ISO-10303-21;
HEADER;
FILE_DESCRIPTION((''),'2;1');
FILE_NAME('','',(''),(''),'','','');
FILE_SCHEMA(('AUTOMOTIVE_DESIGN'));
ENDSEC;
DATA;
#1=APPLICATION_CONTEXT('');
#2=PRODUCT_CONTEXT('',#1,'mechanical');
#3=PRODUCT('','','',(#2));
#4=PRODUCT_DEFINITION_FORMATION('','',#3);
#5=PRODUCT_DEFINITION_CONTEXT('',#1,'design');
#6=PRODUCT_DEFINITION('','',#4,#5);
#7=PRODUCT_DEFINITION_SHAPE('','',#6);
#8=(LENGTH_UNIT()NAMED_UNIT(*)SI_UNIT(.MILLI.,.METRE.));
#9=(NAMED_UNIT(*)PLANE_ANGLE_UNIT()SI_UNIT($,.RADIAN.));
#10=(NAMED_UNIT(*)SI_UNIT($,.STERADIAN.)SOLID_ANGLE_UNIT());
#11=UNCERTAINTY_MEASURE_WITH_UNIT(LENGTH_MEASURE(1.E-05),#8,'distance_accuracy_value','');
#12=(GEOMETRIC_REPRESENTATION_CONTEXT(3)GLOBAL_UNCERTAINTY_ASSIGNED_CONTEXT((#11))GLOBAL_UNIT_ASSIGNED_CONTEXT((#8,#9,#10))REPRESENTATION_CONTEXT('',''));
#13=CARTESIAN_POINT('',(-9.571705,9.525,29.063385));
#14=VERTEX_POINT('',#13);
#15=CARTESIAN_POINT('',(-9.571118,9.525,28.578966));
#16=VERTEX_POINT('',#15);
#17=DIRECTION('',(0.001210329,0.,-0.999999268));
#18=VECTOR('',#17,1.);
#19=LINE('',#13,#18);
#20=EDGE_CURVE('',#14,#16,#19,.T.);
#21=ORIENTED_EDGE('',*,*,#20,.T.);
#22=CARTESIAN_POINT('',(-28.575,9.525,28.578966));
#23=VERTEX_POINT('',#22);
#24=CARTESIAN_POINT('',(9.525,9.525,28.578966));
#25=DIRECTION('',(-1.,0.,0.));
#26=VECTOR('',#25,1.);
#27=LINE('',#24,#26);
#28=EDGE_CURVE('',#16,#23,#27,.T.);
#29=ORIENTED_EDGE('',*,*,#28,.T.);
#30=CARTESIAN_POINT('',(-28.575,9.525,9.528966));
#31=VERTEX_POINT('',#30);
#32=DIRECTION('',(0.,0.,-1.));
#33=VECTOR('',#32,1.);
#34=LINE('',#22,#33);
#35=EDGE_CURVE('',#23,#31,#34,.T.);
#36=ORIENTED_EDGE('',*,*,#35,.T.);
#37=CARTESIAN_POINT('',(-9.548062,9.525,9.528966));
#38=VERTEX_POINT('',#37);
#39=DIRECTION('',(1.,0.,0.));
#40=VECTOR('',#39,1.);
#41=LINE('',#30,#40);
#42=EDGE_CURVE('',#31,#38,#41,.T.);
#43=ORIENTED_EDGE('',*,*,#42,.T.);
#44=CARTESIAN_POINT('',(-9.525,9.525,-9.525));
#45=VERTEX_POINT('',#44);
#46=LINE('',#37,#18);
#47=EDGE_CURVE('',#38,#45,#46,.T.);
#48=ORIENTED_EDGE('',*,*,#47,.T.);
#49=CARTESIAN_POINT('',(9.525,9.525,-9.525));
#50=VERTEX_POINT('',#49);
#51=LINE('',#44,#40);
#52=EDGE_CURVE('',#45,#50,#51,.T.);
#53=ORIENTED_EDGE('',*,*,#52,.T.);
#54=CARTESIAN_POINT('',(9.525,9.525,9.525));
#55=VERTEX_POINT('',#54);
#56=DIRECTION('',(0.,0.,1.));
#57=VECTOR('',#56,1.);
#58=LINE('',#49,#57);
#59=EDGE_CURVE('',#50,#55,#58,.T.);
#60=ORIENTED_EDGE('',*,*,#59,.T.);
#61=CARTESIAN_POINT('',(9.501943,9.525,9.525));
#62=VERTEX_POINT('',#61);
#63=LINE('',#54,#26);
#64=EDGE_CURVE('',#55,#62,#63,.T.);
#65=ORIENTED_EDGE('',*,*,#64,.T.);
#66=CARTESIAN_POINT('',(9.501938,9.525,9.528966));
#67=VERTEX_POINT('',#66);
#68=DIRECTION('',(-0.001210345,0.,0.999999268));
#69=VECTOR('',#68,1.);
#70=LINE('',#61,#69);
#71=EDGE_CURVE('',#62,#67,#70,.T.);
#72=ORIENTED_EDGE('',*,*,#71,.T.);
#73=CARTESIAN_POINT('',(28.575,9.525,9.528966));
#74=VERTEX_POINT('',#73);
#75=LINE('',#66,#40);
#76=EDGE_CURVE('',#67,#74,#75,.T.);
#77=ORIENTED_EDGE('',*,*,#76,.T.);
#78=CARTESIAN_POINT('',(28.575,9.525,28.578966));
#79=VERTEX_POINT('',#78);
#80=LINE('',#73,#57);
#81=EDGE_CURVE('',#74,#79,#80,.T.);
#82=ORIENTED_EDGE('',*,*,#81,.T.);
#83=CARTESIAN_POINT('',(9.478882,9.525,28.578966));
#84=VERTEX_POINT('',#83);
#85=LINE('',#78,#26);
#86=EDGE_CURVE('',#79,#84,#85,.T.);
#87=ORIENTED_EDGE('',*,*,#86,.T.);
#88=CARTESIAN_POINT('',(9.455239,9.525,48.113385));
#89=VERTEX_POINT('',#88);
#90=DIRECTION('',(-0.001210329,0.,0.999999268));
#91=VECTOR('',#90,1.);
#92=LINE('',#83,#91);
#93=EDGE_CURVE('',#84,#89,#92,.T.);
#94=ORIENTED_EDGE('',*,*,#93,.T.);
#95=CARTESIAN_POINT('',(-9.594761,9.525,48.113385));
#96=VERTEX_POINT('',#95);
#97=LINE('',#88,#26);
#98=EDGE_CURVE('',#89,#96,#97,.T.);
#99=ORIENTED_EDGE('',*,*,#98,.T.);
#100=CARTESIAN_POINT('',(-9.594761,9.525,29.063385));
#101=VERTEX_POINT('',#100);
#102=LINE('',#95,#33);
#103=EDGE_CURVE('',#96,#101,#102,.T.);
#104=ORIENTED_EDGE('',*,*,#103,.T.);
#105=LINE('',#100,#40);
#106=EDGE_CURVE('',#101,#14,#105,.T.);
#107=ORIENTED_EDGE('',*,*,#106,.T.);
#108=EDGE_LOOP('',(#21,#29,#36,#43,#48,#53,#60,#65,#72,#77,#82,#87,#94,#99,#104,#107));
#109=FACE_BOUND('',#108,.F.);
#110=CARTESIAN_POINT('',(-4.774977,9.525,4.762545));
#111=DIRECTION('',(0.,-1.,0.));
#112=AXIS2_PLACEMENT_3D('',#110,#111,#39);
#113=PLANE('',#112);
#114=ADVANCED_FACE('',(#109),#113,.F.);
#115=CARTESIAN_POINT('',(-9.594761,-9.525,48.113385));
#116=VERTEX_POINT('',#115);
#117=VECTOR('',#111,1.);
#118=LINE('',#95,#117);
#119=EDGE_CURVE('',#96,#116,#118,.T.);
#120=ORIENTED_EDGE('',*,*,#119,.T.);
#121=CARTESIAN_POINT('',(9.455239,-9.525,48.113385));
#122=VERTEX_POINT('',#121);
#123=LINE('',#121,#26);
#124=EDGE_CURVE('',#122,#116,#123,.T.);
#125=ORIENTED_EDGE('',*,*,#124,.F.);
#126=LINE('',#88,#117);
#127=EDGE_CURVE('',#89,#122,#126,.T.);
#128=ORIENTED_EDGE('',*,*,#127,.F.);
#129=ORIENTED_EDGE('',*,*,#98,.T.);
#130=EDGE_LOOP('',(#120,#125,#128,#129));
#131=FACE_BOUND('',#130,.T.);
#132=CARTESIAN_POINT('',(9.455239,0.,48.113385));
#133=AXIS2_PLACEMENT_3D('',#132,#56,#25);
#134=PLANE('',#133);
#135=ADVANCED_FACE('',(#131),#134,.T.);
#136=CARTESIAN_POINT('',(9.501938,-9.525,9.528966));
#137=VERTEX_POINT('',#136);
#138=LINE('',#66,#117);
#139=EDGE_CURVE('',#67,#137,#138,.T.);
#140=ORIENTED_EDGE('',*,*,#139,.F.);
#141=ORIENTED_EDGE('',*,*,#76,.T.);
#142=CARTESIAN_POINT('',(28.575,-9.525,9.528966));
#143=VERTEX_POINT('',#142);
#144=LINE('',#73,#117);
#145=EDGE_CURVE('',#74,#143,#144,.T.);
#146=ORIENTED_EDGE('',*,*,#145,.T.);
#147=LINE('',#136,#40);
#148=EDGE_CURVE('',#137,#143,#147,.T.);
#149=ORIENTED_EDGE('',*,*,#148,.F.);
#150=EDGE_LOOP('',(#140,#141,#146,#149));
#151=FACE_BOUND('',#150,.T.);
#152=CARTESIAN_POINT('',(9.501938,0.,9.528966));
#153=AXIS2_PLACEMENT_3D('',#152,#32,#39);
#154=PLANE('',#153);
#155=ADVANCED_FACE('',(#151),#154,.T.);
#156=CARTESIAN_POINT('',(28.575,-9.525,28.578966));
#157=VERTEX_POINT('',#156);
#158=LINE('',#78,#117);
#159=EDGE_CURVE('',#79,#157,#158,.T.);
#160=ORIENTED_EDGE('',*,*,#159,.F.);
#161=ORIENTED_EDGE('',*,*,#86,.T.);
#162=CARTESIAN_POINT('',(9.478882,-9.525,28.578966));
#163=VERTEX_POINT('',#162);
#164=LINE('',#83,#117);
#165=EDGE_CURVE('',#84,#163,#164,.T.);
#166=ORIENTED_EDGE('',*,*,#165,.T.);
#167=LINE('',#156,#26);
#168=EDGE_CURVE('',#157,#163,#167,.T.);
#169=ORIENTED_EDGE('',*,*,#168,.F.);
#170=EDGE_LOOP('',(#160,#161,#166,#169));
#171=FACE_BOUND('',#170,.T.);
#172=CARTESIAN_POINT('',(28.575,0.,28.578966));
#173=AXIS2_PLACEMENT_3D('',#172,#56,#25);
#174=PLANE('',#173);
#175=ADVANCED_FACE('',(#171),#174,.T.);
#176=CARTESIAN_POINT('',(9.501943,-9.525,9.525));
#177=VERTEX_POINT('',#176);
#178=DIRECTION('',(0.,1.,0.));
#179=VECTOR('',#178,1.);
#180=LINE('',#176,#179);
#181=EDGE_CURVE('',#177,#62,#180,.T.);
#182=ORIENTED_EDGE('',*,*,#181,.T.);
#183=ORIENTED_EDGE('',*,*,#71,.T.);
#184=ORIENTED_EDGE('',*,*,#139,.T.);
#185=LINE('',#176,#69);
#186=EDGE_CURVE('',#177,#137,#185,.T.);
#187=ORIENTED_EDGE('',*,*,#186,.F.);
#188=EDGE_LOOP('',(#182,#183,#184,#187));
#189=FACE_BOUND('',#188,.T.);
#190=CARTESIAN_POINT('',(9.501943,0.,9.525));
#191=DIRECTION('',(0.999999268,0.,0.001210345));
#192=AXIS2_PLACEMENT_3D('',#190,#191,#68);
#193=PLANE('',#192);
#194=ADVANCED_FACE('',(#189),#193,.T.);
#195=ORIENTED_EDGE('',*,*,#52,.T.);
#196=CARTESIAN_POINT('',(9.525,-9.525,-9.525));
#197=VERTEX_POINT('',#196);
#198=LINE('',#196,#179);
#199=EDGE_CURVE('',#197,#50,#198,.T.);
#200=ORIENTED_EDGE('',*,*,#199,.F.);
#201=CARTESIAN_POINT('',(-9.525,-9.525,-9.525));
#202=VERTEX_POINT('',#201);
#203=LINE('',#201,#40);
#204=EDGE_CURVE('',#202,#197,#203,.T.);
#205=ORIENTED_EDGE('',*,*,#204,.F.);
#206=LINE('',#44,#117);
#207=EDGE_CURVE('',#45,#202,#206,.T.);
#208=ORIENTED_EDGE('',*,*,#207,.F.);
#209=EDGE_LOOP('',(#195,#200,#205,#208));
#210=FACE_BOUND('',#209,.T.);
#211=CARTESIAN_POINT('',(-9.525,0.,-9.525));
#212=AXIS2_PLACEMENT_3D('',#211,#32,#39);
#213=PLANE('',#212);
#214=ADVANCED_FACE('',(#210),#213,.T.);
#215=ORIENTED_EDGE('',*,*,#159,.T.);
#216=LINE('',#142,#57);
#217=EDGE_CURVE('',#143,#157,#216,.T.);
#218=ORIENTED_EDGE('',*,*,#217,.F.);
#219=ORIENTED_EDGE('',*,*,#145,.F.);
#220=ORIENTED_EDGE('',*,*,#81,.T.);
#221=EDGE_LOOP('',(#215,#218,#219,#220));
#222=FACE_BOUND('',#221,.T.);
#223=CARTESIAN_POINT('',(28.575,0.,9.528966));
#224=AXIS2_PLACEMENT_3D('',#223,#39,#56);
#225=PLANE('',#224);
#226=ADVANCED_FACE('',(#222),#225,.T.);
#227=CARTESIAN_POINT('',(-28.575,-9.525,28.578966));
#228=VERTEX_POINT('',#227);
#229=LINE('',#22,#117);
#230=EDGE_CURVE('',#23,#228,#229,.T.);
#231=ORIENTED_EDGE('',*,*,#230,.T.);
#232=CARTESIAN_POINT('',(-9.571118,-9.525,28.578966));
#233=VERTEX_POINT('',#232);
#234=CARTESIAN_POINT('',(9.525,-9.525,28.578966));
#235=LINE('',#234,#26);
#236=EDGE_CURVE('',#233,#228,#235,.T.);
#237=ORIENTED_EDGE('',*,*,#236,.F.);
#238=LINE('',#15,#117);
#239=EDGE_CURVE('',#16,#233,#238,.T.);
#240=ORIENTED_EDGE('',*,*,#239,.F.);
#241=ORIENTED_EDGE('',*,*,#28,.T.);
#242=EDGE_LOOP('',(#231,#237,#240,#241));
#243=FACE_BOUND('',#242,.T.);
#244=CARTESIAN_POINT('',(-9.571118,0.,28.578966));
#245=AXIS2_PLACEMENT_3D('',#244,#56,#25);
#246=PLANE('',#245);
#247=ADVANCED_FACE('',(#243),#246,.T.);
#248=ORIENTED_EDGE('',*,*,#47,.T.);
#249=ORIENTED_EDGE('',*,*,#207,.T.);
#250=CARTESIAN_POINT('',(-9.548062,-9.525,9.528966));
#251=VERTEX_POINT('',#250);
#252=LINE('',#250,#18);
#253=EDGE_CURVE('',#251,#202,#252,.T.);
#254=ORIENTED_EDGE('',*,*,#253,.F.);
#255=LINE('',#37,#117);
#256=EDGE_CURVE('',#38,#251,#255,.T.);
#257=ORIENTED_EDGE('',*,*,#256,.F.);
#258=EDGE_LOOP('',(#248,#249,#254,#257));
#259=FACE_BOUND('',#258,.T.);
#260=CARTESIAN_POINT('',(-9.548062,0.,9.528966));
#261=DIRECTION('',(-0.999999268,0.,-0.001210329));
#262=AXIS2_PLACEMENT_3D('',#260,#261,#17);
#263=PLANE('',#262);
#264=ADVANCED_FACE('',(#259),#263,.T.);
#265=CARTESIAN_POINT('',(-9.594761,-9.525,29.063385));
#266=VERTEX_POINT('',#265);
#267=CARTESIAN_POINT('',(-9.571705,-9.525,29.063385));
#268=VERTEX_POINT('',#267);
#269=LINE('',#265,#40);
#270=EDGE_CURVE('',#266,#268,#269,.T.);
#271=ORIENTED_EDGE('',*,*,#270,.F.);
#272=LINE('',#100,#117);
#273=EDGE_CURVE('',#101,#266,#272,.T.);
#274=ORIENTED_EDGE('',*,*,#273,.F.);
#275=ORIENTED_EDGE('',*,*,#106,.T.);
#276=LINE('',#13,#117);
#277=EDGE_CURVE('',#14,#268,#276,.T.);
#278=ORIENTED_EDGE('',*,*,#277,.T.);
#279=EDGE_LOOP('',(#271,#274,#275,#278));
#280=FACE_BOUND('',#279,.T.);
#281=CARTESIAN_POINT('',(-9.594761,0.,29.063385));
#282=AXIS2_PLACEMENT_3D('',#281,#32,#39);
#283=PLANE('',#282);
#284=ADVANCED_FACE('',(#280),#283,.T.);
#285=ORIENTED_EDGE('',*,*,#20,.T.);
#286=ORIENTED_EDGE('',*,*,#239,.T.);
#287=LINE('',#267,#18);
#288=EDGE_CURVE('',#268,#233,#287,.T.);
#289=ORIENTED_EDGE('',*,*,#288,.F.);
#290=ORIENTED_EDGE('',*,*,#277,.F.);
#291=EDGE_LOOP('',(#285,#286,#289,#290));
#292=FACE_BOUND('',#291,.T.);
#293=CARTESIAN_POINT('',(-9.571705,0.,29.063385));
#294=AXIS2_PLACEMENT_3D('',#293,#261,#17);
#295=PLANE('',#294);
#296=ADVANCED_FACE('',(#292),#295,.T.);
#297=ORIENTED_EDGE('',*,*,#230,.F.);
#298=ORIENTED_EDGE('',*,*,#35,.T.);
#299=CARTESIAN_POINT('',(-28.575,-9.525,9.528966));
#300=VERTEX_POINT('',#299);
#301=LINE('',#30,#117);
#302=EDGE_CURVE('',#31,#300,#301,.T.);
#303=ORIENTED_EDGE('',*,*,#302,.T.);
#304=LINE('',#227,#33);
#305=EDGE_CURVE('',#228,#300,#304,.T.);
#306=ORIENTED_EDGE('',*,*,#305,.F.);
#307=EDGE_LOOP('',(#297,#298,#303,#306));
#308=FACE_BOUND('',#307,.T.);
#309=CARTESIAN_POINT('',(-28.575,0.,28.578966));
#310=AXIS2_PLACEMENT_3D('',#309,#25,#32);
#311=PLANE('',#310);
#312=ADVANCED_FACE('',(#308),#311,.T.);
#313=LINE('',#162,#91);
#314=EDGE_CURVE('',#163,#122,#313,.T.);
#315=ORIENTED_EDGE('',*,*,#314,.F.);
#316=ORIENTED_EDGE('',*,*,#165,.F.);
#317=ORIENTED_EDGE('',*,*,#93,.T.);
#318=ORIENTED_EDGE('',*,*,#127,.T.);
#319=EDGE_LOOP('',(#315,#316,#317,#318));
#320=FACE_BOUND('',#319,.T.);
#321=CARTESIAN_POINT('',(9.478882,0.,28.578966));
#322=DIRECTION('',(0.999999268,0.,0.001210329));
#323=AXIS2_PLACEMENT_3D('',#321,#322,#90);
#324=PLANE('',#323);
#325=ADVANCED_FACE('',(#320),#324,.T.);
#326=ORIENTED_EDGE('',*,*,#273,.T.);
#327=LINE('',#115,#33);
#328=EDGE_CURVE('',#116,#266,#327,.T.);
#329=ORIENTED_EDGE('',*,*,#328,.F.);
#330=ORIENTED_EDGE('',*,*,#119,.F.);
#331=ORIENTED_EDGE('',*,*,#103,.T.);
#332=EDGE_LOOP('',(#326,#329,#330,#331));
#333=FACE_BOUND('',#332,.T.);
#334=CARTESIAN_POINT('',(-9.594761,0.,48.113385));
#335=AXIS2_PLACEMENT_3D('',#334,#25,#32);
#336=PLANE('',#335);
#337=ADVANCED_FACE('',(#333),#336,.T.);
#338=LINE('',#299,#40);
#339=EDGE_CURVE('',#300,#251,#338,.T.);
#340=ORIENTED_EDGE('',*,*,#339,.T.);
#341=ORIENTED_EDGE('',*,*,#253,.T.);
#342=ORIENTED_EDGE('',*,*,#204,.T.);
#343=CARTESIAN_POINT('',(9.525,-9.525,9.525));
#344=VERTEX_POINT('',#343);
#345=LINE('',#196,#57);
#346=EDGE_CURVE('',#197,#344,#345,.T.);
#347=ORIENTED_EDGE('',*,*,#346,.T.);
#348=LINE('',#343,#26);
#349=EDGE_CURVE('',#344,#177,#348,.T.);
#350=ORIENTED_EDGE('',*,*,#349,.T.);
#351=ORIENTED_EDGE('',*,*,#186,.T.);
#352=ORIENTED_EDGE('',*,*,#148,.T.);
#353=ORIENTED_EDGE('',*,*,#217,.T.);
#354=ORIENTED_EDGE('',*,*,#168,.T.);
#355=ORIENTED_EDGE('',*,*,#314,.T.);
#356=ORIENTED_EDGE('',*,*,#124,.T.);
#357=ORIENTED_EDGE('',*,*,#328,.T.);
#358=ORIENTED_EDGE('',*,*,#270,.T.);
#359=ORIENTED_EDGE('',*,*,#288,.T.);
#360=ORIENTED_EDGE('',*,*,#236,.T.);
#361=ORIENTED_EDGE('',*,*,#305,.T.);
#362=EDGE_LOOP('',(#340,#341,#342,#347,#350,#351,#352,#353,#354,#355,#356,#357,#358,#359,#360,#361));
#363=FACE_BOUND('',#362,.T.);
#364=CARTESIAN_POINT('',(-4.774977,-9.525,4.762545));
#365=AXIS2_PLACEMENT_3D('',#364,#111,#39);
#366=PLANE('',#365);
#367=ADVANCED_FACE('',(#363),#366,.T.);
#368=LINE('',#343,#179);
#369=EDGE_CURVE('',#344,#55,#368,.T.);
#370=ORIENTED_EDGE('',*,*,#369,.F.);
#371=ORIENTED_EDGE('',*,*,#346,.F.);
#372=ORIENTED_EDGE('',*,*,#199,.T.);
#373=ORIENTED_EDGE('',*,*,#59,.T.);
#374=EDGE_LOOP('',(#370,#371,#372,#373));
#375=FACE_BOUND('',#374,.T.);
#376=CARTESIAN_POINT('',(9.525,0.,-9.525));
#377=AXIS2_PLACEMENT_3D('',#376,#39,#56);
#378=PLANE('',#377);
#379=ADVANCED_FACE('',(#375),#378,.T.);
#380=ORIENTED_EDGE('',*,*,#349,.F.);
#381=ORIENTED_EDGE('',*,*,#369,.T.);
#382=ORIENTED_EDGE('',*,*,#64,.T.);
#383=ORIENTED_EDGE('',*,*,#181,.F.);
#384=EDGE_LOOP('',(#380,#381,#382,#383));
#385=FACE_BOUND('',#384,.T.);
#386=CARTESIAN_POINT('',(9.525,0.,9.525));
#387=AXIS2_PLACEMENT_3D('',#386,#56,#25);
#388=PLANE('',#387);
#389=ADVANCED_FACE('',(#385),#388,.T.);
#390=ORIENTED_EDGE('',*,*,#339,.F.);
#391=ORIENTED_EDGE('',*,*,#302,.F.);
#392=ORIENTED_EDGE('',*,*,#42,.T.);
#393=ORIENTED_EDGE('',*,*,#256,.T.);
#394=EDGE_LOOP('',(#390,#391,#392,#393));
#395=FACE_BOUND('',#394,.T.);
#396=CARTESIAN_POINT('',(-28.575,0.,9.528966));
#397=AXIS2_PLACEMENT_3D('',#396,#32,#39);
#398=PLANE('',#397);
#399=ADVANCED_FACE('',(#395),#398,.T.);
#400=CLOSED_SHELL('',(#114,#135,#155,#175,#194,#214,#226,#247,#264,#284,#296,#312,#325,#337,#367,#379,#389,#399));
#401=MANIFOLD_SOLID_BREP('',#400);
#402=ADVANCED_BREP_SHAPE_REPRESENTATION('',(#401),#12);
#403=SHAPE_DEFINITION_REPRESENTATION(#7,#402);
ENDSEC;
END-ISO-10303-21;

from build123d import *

# Parameters (mm, degrees)
F1_DEPTH = 9.525


with BuildPart() as f1:
    # F0 (on Front) → F1 (new body, symmetric)
    with BuildSketch(Plane.XZ):
        Polygon((-9.525, -9.525), (-9.525, 9.525), (9.5019432202, 9.525), (9.5019384202, 9.528965807), (-9.525, 9.528965807), (-9.5480615798, 9.528965807), align=None)
        Polygon((9.5019432202, 9.525), (-9.525, 9.525), (-9.525, -9.525), (9.525, -9.525), align=None)
        Polygon((9.525, 9.525), (9.5019432202, 9.525), (9.525, -9.525), align=None)
        Polygon((-9.525, 9.528965807), (9.5019384202, 9.528965807), (9.5017451374, 9.6886601817), (-9.525, 9.8479651451), align=None)
        Polygon((9.5017451374, 9.6886601817), (9.5019384202, 9.528965807), (9.525, 9.528965807), (9.525, 9.688465476), align=None)
        Polygon((-9.5711183596, 28.578965807), (-9.5480615798, 9.528965807), (-9.525, 9.528965807), (-9.525, 9.8479651451), (-9.525, 28.578965807), align=None)
        Polygon((-28.575, 9.528965807), (-9.5480615798, 9.528965807), (-9.5711183596, 28.578965807), (-28.575, 28.578965807), align=None)
        Polygon((9.4788816404, 28.578965807), (9.5017451374, 9.6886601817), (9.525, 9.688465476), (9.525, 9.8479651451), (9.525, 28.578965807), align=None)
        Polygon((-9.525, 9.8479651451), (9.5017451374, 9.6886601817), (9.4788816404, 28.578965807), (-9.525, 28.578965807), align=None)
        Polygon((9.525, 9.688465476), (9.525, 9.528965807), (28.575, 9.528965807), align=None)
        Polygon((-9.5717046665, 29.06338498), (-9.5711183596, 28.578965807), (-9.525, 28.578965807), (9.4788816404, 28.578965807), (9.4552385536, 48.11338498), (9.4552385536, 29.06338498), align=None)
        Polygon((9.525, 9.8479651451), (9.525, 9.688465476), (28.575, 9.528965807), (28.575, 28.578965807), (9.525, 28.578965807), align=None)
        Polygon((-9.5947614464, 48.11338498), (-9.5717046665, 29.06338498), (9.4552385536, 29.06338498), (9.4552385536, 48.11338498), align=None)
        Polygon((-9.5947614464, 29.06338498), (-9.5717046665, 29.06338498), (-9.5947614464, 48.11338498), align=None)
    extrude(amount=F1_DEPTH, both=True)


solid = f1.part
